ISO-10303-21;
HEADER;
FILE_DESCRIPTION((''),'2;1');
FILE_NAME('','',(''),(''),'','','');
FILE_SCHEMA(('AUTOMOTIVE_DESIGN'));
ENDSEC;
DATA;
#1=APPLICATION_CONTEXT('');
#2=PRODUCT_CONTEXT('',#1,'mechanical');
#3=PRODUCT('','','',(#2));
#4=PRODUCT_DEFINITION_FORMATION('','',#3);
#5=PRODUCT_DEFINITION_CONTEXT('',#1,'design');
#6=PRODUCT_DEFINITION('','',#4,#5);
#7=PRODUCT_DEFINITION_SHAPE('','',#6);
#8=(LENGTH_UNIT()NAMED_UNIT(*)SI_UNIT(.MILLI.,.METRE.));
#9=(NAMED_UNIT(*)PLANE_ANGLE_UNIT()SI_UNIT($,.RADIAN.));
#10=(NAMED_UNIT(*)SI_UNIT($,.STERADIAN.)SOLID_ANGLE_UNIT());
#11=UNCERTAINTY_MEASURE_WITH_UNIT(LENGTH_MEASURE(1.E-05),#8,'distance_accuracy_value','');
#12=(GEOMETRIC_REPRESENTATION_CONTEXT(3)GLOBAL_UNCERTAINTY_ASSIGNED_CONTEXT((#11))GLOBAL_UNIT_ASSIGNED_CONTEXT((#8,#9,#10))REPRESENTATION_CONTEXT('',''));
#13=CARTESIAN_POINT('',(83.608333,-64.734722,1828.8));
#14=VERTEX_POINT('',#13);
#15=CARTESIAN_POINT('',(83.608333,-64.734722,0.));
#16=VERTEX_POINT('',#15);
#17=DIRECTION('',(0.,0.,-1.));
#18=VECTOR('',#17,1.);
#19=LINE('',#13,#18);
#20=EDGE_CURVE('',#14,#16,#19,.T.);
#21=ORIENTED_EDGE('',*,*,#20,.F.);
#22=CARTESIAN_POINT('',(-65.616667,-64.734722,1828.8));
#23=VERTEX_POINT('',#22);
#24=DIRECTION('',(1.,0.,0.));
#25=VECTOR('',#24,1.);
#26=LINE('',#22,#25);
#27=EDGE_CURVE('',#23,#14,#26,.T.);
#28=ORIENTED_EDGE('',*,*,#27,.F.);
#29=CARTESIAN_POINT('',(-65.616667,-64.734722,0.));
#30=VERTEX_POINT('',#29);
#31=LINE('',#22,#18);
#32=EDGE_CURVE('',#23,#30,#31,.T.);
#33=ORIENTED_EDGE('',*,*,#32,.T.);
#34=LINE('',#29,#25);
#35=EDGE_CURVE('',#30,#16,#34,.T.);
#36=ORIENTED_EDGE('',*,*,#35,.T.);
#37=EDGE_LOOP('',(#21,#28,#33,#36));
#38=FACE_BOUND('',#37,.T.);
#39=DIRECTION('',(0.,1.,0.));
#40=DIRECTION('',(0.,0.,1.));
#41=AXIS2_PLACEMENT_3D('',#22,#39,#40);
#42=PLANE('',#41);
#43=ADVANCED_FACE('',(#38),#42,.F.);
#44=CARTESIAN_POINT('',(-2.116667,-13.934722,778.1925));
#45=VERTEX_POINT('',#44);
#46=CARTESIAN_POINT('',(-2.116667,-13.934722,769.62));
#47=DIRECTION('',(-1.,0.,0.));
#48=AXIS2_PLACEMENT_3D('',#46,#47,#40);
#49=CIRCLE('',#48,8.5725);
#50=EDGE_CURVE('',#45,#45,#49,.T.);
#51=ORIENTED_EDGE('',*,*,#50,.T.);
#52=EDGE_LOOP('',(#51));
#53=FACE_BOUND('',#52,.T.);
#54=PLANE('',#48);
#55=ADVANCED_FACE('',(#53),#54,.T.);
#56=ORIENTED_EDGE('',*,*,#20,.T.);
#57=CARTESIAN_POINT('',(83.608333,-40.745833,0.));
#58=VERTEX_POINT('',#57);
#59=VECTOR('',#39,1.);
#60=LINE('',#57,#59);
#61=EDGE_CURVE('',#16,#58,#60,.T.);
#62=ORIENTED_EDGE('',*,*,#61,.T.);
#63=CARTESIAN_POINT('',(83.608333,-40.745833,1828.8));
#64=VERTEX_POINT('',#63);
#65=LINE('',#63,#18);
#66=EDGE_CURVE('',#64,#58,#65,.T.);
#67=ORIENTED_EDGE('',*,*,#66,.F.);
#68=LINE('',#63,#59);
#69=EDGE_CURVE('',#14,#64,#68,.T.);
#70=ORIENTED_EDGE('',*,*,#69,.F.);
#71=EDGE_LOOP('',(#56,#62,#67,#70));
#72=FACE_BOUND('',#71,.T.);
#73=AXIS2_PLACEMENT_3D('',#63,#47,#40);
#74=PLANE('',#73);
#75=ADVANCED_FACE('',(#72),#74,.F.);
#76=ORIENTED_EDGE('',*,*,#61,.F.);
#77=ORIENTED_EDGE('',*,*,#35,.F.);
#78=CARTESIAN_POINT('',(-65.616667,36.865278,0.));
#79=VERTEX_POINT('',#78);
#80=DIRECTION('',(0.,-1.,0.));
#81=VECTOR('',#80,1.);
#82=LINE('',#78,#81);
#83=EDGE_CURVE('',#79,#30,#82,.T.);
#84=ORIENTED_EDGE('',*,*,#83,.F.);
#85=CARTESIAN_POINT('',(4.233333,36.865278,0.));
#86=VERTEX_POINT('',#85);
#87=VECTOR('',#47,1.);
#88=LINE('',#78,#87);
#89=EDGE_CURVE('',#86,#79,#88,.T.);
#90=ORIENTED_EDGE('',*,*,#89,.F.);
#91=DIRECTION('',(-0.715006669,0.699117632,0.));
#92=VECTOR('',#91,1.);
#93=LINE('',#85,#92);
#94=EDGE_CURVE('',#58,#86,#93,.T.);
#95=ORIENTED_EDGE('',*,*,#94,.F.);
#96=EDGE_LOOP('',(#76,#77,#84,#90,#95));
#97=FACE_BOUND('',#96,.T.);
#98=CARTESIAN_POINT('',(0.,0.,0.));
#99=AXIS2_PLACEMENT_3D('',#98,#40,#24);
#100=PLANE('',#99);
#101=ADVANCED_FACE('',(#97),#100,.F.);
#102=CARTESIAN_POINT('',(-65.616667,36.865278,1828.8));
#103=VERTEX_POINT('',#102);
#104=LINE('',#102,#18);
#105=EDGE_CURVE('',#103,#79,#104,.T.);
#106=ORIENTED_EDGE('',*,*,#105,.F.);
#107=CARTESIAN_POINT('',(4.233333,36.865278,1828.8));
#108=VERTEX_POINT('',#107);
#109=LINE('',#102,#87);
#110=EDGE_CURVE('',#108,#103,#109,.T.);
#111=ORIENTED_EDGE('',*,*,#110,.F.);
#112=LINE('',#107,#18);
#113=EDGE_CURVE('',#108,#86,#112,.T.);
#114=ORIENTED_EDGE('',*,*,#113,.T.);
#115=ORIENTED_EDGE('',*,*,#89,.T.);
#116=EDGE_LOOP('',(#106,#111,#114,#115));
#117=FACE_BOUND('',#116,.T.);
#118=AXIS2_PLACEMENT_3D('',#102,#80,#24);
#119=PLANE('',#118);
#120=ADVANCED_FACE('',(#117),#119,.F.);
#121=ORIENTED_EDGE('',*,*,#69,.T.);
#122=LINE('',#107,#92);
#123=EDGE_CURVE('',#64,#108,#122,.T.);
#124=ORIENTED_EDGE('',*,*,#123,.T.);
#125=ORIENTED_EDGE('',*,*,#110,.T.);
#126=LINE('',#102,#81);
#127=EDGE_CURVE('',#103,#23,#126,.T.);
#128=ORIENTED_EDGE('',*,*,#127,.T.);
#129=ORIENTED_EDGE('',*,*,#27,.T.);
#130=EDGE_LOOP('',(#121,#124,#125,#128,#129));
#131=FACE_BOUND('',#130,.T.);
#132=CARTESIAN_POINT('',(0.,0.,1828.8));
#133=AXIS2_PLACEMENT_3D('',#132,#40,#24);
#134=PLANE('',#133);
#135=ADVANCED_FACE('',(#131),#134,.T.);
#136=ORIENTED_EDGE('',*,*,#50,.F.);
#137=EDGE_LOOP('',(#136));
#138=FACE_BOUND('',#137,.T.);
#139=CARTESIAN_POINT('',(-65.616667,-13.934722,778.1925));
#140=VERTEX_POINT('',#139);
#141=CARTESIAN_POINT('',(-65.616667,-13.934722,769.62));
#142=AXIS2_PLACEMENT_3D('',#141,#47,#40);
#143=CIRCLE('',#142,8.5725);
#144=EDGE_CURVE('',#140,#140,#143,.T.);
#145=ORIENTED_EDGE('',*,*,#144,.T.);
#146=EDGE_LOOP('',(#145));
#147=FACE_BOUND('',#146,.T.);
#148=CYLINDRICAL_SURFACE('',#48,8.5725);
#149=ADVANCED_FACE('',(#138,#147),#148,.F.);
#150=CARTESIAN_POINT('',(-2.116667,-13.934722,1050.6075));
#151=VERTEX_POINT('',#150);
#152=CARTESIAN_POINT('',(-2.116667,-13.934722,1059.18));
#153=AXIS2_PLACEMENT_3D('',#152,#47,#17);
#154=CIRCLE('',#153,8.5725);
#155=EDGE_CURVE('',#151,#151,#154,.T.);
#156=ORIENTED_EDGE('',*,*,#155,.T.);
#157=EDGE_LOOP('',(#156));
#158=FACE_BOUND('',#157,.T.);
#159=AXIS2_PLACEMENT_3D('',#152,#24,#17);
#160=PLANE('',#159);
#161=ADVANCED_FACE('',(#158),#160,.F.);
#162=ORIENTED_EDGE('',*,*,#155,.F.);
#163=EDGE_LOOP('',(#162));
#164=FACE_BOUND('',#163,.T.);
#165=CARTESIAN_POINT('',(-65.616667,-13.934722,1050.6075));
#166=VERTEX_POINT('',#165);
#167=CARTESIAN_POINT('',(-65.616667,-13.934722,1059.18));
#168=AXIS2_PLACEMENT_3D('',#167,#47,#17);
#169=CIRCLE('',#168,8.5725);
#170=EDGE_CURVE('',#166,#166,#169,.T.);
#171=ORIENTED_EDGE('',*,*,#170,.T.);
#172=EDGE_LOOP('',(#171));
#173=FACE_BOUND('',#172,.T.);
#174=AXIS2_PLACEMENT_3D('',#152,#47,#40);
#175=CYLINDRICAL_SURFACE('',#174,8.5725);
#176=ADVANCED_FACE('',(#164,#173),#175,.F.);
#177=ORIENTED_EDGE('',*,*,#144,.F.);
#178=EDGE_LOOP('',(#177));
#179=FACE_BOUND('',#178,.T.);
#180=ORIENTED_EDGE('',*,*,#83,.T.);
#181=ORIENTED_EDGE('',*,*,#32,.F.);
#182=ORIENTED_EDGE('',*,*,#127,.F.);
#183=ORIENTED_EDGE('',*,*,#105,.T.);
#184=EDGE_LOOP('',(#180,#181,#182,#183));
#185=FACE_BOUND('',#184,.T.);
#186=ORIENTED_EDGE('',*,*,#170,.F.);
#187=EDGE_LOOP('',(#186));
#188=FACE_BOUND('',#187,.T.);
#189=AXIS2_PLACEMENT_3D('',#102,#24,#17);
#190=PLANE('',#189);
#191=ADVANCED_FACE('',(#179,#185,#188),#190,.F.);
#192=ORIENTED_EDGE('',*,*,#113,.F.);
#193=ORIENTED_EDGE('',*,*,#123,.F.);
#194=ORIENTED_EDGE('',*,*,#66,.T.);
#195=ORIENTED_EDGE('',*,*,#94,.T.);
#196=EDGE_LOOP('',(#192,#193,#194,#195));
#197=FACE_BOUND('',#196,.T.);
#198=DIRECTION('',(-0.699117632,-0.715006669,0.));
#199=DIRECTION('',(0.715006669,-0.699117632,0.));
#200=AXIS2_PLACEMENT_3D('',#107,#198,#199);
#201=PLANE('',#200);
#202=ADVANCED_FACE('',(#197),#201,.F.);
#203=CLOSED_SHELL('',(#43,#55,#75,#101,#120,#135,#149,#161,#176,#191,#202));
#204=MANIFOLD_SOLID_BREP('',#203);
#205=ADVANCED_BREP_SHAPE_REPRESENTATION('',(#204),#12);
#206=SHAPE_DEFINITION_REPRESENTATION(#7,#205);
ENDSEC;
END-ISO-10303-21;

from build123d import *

# Parameters (mm, degrees)
BOSS_EXTRUDE1_DEPTH = 1828.8
SKETCH3_R           = 8.5725
CUT_EXTRUDE2_DEPTH  = 63.5


with BuildPart() as part:
    # Sketch1 → Boss-Extrude1 (new body)
    with BuildSketch(Plane.XY):
        Polygon((4.233333333, 36.865277778), (83.608333333, -40.745833333), (83.608333333, -64.734722222), (-65.616666667, -64.734722222), (-65.616666667, 36.865277778), align=None)
    extrude(amount=BOSS_EXTRUDE1_DEPTH)

    # Sketch3 → Cut-Extrude2 (cut)
    with BuildSketch(Plane.ZY.offset(65.616666667)):
        with Locations((769.62, -13.934722222)):
            Circle(SKETCH3_R)
        with Locations(Location((1059.18, -13.934722222, 0), (0, 0, 180))):
            Circle(SKETCH3_R)
    extrude(amount=-CUT_EXTRUDE2_DEPTH, mode=Mode.SUBTRACT)


solid = part.part
